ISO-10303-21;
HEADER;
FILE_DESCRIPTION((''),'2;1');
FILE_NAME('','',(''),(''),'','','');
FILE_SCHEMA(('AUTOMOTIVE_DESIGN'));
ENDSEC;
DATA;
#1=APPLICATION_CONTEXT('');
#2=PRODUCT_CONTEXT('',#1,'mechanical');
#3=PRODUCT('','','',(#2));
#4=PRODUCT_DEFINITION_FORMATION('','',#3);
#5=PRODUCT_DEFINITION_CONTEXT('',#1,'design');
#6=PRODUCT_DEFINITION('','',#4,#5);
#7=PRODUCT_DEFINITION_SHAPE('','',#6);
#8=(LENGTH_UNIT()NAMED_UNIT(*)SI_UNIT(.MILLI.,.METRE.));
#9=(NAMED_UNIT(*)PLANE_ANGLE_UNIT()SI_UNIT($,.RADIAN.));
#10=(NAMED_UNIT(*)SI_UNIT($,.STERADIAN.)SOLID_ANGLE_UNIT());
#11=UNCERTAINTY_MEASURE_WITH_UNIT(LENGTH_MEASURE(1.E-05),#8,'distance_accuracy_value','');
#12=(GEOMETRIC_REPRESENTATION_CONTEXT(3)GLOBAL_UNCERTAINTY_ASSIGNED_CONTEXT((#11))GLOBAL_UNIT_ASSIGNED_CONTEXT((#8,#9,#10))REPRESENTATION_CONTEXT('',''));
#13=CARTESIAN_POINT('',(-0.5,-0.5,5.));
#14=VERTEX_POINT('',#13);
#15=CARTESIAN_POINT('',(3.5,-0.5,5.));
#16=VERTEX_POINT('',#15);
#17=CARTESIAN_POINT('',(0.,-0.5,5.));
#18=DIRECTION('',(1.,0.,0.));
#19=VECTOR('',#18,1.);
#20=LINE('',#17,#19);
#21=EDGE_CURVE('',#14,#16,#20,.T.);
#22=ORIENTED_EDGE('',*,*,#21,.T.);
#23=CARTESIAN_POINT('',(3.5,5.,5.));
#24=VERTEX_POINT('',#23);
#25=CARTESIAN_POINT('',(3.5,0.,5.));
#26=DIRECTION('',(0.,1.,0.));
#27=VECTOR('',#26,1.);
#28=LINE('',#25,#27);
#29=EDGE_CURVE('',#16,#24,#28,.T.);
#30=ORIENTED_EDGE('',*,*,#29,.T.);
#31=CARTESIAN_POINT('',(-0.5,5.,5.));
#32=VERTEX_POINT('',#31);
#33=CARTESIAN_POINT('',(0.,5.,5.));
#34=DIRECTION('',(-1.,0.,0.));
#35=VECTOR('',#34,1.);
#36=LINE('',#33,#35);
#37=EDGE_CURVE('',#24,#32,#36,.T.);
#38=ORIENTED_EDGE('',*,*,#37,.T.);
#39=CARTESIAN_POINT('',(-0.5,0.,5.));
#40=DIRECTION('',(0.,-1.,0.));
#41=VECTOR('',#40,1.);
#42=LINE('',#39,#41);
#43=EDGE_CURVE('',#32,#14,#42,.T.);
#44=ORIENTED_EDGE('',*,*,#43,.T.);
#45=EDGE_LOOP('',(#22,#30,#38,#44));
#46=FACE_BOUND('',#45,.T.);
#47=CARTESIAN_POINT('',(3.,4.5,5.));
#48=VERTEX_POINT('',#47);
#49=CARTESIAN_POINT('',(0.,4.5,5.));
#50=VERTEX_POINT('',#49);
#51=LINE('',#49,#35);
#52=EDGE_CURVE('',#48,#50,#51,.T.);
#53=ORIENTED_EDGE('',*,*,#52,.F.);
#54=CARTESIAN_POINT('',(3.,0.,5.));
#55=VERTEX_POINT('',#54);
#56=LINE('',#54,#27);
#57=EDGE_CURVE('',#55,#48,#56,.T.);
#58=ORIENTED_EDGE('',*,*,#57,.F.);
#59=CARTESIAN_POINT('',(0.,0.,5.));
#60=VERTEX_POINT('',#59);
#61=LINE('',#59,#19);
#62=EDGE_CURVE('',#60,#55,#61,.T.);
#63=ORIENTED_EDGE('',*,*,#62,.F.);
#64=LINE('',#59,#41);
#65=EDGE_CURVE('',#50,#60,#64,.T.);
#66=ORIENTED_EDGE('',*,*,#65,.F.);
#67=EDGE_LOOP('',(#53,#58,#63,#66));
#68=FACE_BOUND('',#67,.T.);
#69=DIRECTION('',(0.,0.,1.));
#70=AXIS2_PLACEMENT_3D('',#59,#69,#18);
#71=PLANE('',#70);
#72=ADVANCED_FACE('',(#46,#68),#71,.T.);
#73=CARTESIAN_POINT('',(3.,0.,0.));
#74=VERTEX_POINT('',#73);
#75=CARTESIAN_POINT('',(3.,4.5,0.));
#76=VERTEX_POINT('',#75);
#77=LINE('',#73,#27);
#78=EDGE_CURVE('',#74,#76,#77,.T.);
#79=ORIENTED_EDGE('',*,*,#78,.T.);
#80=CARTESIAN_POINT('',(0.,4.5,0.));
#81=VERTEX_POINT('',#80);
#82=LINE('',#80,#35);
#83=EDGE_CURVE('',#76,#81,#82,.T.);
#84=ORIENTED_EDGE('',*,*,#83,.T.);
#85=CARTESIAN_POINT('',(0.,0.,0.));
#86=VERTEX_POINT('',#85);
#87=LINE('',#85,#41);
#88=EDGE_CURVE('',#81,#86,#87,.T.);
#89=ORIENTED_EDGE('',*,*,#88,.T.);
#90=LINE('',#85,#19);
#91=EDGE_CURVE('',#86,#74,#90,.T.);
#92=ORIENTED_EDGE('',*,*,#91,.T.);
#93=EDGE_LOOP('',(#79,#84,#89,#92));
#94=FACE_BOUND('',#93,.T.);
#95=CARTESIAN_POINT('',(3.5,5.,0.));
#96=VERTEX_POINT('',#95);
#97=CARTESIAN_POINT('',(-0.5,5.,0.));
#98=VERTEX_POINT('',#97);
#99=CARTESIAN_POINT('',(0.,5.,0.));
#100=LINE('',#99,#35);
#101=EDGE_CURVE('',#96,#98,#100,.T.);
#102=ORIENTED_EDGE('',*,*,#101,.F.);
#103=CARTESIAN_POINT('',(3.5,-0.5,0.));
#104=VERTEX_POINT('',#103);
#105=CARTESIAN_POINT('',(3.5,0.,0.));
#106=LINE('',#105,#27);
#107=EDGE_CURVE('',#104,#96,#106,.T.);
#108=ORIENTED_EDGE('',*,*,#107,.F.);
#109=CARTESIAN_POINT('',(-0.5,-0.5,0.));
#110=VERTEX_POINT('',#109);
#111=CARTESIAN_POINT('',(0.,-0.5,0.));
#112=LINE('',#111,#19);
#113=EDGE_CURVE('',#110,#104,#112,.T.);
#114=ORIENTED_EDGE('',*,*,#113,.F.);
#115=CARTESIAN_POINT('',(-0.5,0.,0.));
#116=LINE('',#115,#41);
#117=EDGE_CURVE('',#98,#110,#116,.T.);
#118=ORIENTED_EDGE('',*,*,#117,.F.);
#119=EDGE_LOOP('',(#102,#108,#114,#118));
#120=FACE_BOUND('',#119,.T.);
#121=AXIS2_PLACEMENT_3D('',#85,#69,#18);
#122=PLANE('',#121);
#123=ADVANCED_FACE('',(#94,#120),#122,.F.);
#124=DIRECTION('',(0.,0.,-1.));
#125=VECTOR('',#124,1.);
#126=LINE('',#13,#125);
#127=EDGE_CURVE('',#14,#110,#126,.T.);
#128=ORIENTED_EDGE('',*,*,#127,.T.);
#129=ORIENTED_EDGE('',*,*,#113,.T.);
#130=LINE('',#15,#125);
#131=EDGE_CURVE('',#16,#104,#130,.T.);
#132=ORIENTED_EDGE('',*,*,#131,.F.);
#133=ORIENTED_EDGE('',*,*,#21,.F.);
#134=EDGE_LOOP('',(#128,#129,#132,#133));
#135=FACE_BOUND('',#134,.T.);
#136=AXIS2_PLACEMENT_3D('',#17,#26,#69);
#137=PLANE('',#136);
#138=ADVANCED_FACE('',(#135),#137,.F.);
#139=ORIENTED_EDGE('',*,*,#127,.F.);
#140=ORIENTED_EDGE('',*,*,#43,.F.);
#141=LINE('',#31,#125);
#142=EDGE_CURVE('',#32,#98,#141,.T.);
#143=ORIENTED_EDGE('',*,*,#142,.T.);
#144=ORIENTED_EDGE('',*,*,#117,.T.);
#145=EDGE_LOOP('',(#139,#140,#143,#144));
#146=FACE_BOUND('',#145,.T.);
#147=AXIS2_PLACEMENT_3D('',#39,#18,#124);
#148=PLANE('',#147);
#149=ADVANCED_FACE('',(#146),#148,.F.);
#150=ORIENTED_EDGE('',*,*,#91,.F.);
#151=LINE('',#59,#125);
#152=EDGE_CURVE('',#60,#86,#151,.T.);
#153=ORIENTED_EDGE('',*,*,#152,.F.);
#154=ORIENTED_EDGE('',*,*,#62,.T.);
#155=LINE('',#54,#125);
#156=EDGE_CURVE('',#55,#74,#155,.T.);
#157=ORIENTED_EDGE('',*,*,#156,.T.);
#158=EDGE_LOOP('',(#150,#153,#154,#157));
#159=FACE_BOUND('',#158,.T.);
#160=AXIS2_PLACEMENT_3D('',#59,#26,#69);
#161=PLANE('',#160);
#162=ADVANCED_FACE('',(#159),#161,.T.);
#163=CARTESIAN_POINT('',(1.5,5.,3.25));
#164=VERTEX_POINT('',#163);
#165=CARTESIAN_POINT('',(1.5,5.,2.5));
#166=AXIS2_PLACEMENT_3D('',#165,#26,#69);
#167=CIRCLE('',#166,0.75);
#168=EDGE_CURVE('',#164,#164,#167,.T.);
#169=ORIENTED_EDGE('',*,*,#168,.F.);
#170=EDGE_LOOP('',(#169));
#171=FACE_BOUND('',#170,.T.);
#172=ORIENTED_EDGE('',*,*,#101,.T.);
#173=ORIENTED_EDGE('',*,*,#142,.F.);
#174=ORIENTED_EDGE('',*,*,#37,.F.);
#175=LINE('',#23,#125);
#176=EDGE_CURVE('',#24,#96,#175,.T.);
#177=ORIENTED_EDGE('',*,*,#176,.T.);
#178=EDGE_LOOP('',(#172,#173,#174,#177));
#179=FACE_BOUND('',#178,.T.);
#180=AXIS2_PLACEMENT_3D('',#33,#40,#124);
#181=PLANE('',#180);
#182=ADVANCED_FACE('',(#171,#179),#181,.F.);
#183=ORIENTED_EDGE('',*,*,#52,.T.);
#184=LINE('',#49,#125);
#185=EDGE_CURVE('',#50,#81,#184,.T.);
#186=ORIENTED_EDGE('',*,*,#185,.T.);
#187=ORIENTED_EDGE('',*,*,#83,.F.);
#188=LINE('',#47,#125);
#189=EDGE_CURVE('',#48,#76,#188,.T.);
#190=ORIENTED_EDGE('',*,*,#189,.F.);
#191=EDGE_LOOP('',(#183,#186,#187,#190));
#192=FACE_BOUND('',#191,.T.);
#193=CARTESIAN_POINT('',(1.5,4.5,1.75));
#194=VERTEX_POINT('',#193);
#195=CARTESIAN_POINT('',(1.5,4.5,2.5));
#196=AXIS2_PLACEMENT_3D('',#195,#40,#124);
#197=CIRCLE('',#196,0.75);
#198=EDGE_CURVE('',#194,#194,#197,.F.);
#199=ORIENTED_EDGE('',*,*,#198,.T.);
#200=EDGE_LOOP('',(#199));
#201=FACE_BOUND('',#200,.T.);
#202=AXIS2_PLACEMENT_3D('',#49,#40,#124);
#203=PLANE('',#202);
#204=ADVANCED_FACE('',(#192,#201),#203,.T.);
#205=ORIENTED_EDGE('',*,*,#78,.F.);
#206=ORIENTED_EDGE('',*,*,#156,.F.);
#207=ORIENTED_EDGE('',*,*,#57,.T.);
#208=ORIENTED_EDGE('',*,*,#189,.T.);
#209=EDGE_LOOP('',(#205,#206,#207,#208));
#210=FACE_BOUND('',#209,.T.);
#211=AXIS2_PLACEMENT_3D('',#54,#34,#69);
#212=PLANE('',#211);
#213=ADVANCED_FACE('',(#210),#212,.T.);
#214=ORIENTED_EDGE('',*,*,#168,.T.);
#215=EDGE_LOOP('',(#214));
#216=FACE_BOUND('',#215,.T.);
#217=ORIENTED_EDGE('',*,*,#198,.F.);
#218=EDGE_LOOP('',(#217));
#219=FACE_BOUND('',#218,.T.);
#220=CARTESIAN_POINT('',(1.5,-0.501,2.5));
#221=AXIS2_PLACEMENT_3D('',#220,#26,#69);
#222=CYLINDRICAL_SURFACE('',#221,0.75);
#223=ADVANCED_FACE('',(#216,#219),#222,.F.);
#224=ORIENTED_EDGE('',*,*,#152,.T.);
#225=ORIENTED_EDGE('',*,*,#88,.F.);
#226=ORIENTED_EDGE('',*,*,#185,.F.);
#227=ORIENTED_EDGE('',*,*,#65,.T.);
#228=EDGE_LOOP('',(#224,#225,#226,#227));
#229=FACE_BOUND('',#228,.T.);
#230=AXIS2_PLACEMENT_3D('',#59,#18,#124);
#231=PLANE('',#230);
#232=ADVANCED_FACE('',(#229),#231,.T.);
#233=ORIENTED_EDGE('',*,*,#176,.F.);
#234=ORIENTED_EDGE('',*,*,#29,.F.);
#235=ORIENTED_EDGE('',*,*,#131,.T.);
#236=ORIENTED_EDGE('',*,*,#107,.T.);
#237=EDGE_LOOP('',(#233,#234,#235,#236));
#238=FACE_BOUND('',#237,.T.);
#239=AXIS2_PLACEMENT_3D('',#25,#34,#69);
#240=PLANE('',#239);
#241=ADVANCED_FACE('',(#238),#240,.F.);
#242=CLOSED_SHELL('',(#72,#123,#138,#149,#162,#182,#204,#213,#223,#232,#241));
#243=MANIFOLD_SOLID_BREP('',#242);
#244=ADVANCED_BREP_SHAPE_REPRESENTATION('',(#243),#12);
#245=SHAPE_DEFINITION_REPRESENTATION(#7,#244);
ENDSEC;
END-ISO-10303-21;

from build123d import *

# Parameters (mm, degrees)
SKETCH1_W           = 4
SKETCH1_H           = 5.5
SKETCH1_W_2         = 3
SKETCH1_H_2         = 4.5
EXTRUDE_THIN1_DEPTH = 5
CUT_EXTRUDE1_REACH  = 7.5
SKETCH2_R           = 0.75


with BuildPart() as part:
    # Sketch1 → Extrude-Thin1 (new body)
    with BuildSketch(Plane.XY):
        with Locations((1.5, 2.25)):
            Rectangle(SKETCH1_W, SKETCH1_H)
        with Locations((1.5, 2.25)):
            Rectangle(SKETCH1_W_2, SKETCH1_H_2, mode=Mode.SUBTRACT)
    extrude(amount=EXTRUDE_THIN1_DEPTH)

    # Sketch2 → Cut-Extrude1 (cut, up to next)
    with BuildSketch(Plane(origin=(0, 5, 0), x_dir=(1, 0, 0), z_dir=(0, 1, 0)), mode=Mode.PRIVATE) as cut_extrude1_sk1:
        with Locations((1.5, -2.5)):
            Circle(SKETCH2_R)
    cut_extrude1_tool1 = extrude(cut_extrude1_sk1.sketch, amount=-CUT_EXTRUDE1_REACH, mode=Mode.PRIVATE) & part.part
    add(cut_extrude1_tool1.solids().sort_by_distance((1.5, 5, 2.5))[0], mode=Mode.SUBTRACT)


solid = part.part
